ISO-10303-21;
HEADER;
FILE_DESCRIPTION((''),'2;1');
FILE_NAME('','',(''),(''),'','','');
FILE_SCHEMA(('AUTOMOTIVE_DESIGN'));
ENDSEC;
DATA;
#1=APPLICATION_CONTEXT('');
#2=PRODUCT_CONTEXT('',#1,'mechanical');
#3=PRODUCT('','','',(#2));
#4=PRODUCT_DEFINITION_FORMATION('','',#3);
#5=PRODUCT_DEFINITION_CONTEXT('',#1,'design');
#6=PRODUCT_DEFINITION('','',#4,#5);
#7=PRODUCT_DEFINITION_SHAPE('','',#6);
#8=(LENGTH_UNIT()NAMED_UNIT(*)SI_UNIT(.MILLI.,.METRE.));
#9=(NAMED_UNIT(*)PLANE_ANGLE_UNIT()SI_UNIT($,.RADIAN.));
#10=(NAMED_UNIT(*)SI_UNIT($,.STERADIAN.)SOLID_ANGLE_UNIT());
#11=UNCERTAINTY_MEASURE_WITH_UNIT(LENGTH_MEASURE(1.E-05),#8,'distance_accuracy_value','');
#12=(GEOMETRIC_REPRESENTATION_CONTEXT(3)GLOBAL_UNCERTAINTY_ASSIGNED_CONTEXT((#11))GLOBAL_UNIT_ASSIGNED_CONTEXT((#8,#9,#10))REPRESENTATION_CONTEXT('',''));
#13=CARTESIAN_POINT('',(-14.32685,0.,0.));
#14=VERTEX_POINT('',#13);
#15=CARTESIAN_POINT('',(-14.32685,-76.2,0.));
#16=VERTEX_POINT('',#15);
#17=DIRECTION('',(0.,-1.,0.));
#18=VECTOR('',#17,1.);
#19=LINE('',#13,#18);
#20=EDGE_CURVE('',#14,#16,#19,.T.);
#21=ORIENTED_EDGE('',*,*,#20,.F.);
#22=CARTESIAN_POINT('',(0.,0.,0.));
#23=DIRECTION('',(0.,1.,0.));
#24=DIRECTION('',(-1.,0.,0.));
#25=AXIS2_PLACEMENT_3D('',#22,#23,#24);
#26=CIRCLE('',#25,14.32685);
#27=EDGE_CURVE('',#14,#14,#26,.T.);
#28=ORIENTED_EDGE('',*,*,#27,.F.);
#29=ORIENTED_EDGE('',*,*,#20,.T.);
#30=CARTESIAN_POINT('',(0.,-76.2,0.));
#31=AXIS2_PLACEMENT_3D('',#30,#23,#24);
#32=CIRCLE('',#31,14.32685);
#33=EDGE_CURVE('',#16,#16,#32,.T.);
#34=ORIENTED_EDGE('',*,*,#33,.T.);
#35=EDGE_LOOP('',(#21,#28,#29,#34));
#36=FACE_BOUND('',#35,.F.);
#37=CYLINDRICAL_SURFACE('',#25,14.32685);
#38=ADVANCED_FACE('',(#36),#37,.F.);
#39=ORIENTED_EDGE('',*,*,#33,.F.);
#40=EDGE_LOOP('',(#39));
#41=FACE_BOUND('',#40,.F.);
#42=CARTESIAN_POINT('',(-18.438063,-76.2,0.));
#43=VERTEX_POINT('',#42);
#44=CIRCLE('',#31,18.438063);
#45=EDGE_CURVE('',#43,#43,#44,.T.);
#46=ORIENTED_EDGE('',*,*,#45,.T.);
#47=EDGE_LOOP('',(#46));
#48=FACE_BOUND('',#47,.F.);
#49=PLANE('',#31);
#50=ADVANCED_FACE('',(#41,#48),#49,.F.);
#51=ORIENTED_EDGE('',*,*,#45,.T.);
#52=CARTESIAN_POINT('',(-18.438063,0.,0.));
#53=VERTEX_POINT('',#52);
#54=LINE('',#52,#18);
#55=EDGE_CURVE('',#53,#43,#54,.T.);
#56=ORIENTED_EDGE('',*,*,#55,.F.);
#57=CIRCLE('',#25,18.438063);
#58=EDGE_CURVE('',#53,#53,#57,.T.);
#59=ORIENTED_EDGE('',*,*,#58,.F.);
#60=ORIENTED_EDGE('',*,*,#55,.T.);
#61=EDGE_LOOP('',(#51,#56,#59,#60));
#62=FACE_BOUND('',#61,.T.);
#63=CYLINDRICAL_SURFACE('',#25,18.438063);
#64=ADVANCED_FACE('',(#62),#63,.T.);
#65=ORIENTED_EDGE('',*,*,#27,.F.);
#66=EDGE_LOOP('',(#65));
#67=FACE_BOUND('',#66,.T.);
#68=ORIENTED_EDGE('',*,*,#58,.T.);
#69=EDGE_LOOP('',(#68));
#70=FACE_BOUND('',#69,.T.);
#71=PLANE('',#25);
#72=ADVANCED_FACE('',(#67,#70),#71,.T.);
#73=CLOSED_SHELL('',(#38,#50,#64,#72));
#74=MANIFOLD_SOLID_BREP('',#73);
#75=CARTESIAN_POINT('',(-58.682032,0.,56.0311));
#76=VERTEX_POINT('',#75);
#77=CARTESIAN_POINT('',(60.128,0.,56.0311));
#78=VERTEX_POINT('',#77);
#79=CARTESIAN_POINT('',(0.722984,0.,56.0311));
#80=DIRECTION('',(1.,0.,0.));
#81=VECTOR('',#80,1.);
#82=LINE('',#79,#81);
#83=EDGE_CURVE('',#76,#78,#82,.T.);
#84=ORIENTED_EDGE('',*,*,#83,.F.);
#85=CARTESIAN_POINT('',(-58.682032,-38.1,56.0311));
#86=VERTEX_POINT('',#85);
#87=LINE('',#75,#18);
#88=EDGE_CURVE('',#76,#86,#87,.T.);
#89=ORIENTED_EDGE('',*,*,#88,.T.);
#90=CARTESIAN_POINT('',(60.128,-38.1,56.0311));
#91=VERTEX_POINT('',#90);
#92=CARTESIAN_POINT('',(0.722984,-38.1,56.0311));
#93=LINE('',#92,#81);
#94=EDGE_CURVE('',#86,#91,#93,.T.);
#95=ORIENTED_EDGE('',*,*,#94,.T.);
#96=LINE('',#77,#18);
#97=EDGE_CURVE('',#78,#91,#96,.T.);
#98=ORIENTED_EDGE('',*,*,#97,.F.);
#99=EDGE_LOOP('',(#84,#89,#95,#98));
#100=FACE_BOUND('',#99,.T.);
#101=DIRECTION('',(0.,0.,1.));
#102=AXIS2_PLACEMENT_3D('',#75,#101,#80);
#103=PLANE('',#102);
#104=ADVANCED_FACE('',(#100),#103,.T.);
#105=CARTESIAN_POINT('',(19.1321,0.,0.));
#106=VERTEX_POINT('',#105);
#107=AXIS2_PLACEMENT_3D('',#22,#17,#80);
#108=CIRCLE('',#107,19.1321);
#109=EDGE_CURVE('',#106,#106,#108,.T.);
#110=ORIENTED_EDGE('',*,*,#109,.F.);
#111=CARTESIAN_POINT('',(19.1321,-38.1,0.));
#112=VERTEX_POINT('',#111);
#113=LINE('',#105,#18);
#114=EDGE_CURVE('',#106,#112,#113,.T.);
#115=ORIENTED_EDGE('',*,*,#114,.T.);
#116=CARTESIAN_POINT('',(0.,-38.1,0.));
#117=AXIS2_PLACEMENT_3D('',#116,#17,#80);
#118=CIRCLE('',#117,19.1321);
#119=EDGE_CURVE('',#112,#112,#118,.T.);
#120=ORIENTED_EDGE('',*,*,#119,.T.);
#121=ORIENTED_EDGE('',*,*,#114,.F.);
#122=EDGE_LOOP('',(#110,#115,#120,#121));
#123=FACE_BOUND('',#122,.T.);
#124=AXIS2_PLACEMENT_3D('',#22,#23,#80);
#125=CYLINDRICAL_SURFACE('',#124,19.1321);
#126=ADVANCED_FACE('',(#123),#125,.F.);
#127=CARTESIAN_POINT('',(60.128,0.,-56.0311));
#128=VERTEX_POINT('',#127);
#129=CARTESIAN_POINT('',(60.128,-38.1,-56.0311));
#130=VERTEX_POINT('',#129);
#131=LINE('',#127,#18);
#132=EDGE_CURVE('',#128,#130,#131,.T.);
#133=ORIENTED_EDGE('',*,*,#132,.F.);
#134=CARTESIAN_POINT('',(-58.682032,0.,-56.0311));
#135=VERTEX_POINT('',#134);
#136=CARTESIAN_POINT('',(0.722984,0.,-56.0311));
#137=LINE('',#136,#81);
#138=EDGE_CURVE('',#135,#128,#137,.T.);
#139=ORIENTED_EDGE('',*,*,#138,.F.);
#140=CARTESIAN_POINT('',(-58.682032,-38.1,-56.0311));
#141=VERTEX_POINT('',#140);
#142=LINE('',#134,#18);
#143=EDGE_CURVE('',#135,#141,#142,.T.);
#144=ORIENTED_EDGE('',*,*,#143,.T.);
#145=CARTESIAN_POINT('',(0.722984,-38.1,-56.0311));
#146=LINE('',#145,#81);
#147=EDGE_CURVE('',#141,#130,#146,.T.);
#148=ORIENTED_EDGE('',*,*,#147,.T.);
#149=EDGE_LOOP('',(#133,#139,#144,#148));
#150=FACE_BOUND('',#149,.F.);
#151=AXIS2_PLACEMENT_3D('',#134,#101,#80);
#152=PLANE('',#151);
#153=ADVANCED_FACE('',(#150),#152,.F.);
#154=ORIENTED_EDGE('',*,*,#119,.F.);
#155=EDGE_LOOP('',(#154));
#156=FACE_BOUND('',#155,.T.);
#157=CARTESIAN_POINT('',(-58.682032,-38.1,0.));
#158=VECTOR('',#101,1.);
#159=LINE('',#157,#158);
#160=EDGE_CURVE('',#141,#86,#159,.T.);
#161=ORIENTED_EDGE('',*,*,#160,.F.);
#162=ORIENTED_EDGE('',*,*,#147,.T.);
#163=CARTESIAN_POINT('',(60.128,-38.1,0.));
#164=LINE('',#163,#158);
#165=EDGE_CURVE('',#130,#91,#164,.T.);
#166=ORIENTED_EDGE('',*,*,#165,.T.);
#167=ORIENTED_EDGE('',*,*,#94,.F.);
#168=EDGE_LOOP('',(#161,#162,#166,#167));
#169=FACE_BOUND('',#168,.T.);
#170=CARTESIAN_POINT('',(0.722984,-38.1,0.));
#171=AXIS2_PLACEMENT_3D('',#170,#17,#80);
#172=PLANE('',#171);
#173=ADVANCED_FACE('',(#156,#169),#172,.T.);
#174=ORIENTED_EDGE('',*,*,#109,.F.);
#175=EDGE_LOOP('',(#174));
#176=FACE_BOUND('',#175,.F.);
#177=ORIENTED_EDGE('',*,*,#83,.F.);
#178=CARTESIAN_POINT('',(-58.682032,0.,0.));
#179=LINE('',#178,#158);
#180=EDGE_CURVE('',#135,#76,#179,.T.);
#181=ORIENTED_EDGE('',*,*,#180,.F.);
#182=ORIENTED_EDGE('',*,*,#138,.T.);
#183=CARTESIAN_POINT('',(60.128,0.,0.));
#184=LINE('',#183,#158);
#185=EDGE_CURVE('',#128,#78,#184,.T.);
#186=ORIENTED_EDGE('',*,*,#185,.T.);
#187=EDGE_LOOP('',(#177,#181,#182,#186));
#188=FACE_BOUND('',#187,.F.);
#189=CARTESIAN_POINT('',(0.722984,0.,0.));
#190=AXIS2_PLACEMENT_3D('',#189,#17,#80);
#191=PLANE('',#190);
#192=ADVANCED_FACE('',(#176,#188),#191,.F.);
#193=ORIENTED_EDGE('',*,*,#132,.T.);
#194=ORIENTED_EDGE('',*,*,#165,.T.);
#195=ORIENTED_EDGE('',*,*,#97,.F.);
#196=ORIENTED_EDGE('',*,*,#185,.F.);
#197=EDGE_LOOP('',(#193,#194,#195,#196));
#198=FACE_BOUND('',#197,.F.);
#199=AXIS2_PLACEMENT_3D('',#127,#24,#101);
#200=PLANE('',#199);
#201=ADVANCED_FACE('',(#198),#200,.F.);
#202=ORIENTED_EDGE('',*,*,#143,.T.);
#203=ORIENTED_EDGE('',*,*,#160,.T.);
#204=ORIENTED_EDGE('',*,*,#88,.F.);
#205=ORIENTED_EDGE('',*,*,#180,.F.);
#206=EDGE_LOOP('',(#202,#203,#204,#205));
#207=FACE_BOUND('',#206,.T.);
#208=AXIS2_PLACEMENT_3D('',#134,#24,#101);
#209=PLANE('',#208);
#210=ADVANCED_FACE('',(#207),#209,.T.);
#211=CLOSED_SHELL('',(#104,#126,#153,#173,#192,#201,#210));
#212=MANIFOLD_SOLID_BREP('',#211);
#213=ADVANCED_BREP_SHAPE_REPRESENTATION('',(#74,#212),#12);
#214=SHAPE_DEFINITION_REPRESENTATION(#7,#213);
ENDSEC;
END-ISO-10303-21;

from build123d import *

# Parameters (mm, degrees)
F0_W     = 118.810031563
F0_H     = 112.0622009039
F0_R     = 25.5981657893
F0_R_2   = 19.1321000997
F1_DEPTH = 38.1
F2_R     = 18.4380627175
F2_R_2   = 14.3268495372
F3_DEPTH = 76.2


with BuildPart() as f1:
    # F0 (on Front) → F1 (new body)
    with BuildSketch(Plane.XZ):
        with Locations((0.722983852, 0)):
            Rectangle(F0_W, F0_H)
        Circle(F0_R, mode=Mode.SUBTRACT)
        Circle(F0_R)
        Circle(F0_R_2, mode=Mode.SUBTRACT)
    extrude(amount=F1_DEPTH)


with BuildPart() as f3:
    # F2 (on face) → F3 (new body)
    with BuildSketch(Plane(origin=(0, 0, 0), x_dir=(-1, 0, 0), z_dir=(0, 1, 0))):
        Circle(F2_R)
        Circle(F2_R_2, mode=Mode.SUBTRACT)
    extrude(amount=-F3_DEPTH)


solid = Compound([f1.part, f3.part])
